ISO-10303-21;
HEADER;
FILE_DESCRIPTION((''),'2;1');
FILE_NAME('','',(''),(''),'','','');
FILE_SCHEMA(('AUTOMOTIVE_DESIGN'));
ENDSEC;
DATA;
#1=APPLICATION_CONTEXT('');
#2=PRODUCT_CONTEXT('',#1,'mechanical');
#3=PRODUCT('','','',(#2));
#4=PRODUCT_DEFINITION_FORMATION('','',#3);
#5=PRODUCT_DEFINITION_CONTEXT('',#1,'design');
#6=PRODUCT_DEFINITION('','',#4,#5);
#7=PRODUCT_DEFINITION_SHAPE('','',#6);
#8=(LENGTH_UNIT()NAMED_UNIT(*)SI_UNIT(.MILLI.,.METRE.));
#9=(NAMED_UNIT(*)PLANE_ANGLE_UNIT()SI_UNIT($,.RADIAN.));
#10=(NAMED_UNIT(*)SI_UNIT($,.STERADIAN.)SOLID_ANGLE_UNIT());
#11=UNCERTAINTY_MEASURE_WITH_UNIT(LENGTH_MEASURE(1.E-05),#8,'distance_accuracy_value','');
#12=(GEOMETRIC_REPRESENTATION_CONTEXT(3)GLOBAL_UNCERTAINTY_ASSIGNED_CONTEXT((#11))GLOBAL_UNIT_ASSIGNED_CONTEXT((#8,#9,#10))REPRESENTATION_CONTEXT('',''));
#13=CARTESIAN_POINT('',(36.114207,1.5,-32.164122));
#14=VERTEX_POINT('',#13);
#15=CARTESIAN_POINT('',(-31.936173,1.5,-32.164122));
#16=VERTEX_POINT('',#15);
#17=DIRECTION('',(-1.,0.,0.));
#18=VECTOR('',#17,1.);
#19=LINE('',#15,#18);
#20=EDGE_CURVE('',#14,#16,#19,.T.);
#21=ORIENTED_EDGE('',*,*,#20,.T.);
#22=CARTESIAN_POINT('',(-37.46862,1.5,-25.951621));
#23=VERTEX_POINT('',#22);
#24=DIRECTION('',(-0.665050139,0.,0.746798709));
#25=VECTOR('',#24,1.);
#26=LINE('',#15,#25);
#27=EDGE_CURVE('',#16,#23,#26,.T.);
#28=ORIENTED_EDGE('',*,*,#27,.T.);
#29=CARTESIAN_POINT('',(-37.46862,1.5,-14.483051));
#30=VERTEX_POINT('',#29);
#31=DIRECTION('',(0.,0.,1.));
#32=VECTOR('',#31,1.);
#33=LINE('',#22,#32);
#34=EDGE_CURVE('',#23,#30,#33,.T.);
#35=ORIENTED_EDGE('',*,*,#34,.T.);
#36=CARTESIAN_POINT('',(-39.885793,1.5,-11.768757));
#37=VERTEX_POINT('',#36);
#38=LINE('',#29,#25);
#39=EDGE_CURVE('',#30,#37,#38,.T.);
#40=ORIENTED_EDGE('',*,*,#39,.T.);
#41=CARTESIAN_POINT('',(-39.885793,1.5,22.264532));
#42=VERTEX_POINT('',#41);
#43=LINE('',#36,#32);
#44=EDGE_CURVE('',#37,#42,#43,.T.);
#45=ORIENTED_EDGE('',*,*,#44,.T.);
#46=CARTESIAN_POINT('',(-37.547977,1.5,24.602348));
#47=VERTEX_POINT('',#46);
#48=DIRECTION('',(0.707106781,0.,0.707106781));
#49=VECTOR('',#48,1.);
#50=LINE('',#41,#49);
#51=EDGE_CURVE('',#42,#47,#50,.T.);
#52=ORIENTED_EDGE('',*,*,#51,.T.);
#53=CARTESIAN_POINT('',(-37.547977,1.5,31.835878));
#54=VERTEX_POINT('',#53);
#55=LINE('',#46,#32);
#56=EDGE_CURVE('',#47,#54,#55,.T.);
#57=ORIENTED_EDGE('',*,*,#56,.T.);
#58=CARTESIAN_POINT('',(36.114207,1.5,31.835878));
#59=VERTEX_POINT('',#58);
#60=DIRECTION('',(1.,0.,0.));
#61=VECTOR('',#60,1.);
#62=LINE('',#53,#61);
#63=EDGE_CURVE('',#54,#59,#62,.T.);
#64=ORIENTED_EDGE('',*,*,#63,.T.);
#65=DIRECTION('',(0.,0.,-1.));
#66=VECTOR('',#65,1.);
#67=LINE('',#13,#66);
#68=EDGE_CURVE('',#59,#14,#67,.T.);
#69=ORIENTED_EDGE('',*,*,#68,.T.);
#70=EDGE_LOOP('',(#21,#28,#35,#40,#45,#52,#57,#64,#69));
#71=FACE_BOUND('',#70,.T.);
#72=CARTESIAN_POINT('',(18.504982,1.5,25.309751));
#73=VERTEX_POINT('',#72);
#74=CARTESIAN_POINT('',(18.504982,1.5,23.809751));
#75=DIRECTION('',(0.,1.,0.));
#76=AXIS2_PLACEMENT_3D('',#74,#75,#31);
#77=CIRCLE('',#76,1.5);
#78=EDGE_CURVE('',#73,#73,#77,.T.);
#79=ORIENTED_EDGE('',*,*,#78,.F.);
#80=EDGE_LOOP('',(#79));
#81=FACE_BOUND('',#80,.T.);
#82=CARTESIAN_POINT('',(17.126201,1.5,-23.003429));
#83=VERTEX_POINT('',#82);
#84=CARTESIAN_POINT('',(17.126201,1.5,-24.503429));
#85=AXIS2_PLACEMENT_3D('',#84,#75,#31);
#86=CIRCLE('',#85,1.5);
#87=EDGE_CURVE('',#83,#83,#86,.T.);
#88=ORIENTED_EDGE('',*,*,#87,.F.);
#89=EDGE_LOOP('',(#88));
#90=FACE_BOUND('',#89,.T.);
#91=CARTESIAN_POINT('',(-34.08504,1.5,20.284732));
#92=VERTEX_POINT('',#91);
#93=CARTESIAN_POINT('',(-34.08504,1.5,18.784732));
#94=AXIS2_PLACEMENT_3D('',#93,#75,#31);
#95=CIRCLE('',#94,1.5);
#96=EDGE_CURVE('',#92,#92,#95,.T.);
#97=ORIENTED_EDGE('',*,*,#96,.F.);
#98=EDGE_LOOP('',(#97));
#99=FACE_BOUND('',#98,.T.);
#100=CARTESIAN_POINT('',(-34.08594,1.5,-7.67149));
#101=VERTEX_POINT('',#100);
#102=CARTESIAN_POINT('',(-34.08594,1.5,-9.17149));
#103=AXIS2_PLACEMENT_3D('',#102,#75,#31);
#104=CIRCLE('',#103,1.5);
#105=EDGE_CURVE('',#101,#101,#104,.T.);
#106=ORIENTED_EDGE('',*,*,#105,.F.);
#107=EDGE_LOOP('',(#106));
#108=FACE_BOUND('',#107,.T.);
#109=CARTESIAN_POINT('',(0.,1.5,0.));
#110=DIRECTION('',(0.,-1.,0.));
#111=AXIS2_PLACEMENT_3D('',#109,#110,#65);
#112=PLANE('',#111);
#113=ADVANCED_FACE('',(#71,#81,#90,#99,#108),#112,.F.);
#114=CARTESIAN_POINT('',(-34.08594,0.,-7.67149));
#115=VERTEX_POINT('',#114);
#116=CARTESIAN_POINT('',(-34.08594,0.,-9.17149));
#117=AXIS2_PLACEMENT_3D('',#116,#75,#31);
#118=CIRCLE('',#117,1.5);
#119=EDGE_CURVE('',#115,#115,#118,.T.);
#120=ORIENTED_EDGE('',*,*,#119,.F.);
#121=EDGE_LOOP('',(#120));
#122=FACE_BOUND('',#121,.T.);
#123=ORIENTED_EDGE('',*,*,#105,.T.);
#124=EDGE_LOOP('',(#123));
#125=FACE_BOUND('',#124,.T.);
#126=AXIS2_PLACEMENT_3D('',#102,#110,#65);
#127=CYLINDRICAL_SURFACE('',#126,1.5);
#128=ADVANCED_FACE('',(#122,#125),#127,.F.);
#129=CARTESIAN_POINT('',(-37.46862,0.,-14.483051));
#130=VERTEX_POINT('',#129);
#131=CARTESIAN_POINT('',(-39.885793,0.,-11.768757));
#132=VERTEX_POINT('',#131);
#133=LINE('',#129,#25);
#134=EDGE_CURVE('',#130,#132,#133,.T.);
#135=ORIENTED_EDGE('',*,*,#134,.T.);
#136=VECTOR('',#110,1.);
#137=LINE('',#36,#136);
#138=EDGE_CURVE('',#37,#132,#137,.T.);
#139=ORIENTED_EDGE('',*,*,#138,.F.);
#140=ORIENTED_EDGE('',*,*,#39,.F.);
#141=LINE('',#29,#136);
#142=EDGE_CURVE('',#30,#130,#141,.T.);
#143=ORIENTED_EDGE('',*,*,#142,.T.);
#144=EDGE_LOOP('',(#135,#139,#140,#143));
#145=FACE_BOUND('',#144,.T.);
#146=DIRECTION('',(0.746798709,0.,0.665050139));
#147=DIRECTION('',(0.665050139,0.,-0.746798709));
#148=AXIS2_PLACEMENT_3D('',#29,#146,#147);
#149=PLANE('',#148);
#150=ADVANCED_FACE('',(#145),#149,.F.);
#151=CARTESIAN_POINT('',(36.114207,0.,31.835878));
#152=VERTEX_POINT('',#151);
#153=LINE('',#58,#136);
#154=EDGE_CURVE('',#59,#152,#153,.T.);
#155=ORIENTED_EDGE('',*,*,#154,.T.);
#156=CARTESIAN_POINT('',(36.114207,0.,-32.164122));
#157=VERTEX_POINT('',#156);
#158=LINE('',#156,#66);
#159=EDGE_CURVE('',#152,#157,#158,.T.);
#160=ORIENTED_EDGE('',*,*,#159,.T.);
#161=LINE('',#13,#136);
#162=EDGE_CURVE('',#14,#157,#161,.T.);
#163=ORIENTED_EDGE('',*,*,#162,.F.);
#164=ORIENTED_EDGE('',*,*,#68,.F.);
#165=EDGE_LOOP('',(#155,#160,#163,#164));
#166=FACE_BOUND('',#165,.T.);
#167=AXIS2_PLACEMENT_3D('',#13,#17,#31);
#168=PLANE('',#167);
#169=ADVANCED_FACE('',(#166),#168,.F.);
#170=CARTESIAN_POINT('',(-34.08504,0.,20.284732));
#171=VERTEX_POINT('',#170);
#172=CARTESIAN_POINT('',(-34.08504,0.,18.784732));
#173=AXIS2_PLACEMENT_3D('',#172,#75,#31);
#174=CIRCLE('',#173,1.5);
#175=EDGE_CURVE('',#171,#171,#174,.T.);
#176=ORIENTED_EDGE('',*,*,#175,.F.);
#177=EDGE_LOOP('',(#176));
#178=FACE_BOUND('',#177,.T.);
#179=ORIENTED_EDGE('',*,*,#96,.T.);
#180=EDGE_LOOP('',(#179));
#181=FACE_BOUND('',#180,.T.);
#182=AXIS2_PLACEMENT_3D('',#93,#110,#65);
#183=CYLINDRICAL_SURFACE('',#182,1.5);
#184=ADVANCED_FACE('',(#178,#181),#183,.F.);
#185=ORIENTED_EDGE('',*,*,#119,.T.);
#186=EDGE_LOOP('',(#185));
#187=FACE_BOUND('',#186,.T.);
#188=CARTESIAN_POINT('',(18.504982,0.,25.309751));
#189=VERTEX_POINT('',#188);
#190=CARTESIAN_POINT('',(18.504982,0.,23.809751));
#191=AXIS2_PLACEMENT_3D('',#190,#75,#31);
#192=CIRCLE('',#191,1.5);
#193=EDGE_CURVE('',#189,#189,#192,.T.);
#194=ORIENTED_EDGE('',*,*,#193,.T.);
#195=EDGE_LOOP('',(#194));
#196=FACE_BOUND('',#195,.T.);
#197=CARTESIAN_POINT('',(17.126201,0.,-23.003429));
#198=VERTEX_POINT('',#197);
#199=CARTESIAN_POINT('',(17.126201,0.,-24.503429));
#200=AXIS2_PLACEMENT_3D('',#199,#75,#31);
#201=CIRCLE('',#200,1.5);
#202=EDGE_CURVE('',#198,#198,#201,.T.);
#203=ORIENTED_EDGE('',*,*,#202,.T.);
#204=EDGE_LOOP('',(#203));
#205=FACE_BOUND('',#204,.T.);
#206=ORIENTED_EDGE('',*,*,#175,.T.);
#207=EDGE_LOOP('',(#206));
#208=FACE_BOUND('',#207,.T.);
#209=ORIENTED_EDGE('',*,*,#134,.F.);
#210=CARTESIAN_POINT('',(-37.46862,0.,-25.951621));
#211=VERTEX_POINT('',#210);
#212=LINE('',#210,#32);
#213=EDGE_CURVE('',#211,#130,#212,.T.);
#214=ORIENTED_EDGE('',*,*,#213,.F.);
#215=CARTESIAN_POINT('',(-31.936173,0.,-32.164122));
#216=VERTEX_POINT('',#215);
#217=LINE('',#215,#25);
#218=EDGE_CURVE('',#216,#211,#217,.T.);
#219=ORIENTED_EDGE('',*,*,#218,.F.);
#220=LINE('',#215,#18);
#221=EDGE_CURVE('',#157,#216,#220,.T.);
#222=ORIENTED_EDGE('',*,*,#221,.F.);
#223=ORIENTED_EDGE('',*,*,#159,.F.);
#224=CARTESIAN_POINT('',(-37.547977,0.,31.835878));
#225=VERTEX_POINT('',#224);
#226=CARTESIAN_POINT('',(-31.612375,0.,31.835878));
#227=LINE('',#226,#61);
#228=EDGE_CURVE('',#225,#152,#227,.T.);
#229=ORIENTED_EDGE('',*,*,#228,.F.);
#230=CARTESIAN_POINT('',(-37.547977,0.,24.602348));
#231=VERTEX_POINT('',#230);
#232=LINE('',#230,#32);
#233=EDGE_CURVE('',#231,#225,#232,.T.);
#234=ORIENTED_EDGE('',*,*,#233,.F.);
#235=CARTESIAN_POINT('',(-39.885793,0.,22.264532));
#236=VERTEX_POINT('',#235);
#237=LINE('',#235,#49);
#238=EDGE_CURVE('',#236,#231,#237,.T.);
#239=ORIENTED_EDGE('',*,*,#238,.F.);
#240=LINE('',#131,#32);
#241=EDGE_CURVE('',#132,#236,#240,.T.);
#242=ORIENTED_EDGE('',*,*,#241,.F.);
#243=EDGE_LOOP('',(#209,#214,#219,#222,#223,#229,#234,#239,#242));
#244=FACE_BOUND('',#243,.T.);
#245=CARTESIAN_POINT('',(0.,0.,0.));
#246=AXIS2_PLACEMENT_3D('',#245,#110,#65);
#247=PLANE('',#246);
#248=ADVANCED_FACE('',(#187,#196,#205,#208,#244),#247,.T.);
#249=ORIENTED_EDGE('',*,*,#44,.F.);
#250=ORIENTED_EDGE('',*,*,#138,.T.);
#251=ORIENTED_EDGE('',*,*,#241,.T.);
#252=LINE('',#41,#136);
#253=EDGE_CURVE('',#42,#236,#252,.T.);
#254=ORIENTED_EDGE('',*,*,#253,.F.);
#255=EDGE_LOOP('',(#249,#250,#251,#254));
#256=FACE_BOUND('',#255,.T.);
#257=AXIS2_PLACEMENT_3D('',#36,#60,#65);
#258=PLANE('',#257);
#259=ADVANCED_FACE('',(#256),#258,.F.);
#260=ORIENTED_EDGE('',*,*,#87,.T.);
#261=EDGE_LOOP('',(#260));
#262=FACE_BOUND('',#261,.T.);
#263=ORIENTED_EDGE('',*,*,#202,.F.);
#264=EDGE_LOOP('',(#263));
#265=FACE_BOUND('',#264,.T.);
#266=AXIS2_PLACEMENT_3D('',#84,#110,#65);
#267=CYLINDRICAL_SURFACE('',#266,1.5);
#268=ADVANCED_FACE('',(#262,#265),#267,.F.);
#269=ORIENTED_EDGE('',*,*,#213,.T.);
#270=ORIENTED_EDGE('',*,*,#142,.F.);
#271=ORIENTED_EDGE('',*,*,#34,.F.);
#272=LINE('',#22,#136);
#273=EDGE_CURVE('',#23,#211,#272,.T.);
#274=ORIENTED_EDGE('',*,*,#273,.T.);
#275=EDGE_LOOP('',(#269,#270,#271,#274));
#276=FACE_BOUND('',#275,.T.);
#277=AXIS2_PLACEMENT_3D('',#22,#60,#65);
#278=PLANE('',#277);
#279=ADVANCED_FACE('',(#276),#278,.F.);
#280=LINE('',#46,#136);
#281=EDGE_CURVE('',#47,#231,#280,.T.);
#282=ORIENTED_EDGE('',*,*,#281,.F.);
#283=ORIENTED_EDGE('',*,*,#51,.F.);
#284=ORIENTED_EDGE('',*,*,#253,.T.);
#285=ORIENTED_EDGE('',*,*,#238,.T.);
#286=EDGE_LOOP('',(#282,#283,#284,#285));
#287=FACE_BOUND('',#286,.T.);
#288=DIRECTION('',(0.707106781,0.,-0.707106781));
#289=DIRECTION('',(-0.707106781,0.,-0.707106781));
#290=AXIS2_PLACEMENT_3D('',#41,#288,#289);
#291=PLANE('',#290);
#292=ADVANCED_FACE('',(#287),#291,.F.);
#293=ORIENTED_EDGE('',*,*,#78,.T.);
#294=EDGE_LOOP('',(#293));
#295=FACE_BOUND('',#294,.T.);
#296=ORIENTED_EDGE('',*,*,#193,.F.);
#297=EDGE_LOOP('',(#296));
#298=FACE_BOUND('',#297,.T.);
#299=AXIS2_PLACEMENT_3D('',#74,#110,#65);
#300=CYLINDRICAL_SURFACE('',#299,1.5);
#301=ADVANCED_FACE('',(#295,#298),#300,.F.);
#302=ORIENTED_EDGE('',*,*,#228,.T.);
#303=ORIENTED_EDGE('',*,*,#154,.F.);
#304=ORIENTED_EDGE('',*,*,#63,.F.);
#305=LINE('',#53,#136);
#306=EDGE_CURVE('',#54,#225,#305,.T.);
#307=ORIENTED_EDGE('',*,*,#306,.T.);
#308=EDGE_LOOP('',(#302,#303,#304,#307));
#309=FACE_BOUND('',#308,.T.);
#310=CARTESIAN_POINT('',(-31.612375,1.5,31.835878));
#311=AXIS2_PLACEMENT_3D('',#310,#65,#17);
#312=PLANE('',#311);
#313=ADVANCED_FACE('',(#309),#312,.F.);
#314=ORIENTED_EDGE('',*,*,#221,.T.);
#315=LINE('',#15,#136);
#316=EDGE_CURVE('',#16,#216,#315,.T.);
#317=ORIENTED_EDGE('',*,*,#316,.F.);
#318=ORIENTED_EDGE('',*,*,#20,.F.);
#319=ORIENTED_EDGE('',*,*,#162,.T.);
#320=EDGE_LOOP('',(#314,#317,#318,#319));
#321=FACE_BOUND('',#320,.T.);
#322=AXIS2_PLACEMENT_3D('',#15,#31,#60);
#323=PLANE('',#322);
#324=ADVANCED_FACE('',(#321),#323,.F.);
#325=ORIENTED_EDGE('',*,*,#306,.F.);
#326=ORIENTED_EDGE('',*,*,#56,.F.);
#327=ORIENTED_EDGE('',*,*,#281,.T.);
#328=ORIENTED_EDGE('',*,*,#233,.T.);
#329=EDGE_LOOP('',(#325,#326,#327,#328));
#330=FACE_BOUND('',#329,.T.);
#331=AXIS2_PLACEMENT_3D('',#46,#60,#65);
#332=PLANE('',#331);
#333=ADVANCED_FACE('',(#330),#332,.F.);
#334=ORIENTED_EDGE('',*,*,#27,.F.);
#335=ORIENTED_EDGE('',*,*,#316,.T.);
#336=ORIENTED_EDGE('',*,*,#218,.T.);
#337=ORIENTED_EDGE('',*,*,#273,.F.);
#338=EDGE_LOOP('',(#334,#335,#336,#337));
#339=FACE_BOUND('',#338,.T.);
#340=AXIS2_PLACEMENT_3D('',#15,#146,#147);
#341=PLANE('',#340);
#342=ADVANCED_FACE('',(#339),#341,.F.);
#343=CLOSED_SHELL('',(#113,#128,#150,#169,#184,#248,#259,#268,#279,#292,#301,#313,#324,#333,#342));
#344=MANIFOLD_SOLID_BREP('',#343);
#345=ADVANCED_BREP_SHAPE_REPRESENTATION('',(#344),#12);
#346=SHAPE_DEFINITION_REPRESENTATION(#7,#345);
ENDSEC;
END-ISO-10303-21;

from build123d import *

# Parameters (mm, degrees)
BOSS_EXTRUDE3_DEPTH = 1.5
SKETCH3_R           = 1.5
CUT_EXTRUDE6_DEPTH  = 1.5


with BuildPart() as part:
    # Sketch5 → Boss-Extrude3 (new body)
    with BuildSketch(Plane(origin=(0, 0, 0), x_dir=(1, 0, 0), z_dir=(0, 1, 0))):
        Polygon((-31.936172748, 32.164122013), (-37.46862037, 25.951620882), (-37.46862037, 14.483050574), (-39.885792802, 11.768757102), (-39.885792802, -22.264531804), (-37.547976629, -24.602347977), (-37.547976629, -31.835877987), (-31.61237508, -31.835877987), (36.114207198, -31.835877987), (36.114207198, 32.164122013), align=None)
    extrude(amount=BOSS_EXTRUDE3_DEPTH)

    # Sketch3 → Cut-Extrude6 (cut)
    with BuildSketch(Plane(origin=(0, 0, 0), x_dir=(1, 0, 0), z_dir=(0, 1, 0))):
        with Locations((-34.085940204, 9.171489798)):
            Circle(SKETCH3_R)
        with Locations((-34.085040269, -18.784732287)):
            Circle(SKETCH3_R)
        with Locations((17.126200612, 24.50342873)):
            Circle(SKETCH3_R)
        with Locations((18.50498177, -23.809750535)):
            Circle(SKETCH3_R)
    extrude(amount=CUT_EXTRUDE6_DEPTH, mode=Mode.SUBTRACT)


solid = part.part
